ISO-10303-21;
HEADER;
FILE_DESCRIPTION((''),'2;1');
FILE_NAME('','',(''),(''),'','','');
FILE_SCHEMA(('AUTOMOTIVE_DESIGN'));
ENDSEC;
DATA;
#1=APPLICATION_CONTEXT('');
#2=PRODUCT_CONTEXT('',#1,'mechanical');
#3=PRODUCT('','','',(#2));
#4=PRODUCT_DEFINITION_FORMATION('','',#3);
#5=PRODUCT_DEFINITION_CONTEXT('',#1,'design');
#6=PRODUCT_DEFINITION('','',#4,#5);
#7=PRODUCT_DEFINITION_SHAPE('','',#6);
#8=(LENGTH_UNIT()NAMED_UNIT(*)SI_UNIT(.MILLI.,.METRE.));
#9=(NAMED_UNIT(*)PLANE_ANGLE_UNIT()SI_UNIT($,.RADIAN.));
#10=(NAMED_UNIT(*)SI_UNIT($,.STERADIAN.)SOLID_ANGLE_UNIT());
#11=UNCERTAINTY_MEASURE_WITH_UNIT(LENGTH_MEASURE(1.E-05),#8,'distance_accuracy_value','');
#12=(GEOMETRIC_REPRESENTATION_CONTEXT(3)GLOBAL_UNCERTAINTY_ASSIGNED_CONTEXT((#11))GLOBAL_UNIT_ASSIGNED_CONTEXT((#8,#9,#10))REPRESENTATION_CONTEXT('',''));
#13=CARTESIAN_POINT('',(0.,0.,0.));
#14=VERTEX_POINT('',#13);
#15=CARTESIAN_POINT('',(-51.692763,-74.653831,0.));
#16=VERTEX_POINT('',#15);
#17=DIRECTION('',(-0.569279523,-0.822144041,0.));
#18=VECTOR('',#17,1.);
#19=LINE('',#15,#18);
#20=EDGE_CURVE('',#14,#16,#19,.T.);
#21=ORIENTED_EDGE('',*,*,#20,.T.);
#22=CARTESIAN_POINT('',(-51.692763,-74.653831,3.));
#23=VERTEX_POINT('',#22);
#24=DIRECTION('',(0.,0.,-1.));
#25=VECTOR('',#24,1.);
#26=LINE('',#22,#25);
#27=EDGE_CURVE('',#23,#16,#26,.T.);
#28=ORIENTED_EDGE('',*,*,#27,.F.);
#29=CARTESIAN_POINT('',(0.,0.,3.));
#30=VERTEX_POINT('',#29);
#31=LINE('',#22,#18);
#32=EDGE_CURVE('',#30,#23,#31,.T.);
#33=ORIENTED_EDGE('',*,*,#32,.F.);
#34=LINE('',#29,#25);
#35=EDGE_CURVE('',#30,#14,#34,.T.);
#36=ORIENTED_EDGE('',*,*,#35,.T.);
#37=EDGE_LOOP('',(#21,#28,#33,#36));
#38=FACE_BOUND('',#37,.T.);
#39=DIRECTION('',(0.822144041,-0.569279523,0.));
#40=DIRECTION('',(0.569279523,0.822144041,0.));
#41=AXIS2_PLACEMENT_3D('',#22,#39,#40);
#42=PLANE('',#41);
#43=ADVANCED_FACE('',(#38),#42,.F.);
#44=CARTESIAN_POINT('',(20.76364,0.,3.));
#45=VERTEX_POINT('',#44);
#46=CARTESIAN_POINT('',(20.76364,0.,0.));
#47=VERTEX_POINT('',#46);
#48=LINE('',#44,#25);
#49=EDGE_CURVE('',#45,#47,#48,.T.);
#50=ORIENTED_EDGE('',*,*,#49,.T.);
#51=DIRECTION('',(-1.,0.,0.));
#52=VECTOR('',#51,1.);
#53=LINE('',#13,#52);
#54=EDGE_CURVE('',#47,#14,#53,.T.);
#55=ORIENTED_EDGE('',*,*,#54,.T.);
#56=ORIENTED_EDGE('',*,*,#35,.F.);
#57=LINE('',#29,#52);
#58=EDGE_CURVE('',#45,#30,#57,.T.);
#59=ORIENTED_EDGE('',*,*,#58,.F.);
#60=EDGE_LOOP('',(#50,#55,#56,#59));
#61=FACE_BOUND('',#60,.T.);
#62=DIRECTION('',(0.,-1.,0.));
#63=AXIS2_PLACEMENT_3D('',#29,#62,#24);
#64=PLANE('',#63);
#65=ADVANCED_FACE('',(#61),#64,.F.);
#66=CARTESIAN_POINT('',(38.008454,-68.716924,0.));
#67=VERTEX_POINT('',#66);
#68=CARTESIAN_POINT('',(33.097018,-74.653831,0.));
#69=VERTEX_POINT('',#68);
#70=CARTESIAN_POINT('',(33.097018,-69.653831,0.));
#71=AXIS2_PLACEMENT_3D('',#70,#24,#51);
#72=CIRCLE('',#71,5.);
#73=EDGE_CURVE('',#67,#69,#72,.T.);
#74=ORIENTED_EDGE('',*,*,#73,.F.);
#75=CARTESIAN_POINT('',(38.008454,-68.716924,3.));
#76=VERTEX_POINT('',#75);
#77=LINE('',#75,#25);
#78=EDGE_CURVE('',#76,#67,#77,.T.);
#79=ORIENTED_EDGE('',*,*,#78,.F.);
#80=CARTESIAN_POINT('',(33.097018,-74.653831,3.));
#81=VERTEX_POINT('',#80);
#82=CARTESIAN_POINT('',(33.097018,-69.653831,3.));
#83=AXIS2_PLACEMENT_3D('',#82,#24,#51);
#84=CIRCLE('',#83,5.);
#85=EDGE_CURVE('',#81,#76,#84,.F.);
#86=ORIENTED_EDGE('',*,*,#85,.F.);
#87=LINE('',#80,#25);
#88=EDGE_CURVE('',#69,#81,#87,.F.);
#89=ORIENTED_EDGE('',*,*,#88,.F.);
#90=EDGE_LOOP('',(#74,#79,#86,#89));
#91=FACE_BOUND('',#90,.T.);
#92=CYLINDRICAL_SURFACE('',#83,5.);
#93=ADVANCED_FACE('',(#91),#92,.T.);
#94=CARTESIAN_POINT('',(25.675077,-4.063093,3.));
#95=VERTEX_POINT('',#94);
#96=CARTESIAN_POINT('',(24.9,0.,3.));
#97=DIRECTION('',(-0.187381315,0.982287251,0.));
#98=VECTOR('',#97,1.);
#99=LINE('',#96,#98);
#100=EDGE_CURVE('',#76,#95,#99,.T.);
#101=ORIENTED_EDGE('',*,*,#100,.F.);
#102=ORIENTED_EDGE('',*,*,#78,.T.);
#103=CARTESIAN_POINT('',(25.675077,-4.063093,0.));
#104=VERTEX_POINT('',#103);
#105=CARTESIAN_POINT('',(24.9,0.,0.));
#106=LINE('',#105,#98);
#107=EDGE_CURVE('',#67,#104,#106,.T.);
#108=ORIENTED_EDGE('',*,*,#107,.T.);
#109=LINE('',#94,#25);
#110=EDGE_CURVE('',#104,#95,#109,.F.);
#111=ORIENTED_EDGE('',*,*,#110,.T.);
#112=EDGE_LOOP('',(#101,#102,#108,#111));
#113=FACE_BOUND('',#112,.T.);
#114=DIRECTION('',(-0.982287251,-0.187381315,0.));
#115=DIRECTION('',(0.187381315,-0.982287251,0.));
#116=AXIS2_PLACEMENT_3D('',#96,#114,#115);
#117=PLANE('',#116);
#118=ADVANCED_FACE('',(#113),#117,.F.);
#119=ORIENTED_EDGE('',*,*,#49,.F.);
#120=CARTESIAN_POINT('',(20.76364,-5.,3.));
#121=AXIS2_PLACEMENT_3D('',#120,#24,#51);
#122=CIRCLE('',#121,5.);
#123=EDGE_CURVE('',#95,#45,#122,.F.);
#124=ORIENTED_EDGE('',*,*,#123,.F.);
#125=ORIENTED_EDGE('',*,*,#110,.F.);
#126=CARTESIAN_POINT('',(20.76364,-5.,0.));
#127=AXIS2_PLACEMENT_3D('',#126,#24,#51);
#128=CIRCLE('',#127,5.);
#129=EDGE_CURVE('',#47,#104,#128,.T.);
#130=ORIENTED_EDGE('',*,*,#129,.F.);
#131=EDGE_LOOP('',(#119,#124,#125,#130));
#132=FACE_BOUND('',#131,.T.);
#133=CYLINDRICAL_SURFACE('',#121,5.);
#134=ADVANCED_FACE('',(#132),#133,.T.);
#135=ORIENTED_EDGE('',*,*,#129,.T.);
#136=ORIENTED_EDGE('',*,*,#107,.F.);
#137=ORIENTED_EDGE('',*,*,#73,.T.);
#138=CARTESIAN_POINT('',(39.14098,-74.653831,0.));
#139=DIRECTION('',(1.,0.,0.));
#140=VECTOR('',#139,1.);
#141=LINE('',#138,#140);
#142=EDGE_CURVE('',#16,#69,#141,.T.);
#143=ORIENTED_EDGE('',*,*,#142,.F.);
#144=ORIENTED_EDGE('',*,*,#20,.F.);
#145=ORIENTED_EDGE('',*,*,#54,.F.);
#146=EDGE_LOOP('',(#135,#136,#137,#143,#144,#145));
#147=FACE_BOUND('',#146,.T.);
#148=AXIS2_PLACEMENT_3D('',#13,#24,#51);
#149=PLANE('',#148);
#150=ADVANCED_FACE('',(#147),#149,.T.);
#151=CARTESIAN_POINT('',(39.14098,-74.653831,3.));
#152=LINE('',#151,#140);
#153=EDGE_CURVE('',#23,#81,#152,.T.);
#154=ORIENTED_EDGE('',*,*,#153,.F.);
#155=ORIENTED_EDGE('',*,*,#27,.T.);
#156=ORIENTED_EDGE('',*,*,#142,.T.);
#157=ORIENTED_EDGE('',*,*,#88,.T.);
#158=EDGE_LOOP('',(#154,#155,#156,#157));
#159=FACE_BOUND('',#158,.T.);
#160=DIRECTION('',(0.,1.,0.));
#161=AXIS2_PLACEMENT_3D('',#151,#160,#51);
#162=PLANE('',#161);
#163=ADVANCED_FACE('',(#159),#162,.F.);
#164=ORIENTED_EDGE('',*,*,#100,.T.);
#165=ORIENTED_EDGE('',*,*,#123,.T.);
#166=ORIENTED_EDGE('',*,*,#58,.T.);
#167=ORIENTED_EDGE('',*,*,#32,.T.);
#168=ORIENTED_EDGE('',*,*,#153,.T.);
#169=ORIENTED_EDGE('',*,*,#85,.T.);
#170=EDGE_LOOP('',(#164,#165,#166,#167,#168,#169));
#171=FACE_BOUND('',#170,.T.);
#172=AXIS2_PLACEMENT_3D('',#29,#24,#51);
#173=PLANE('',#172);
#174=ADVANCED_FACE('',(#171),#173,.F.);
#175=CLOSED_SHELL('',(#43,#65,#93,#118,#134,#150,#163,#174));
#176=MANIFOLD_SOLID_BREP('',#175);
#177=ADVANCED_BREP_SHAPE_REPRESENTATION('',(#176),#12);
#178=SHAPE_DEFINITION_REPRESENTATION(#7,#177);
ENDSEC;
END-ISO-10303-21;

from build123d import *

# Parameters (mm, degrees)
RESSALTO_EXTRUS_O1_DEPTH = 3
FILETE1_R                = 5


with BuildPart() as part:
    # Esboço1 → Ressalto-extrusão1 (new body)
    with BuildSketch(Plane.XY):
        Polygon((0, 0), (24.9, 0), (39.140979909, -74.653831055), (-51.692763366, -74.653831055), align=None)
    extrude(amount=RESSALTO_EXTRUS_O1_DEPTH)

    # Filete1
    filete1_edges = [part.edges().sort_by_distance(p)[0] for p in [
        (24.9, 0, 1.5),
        (39.140979909, -74.653831055, 1.5),
    ]]
    fillet(filete1_edges, radius=FILETE1_R)


solid = part.part
